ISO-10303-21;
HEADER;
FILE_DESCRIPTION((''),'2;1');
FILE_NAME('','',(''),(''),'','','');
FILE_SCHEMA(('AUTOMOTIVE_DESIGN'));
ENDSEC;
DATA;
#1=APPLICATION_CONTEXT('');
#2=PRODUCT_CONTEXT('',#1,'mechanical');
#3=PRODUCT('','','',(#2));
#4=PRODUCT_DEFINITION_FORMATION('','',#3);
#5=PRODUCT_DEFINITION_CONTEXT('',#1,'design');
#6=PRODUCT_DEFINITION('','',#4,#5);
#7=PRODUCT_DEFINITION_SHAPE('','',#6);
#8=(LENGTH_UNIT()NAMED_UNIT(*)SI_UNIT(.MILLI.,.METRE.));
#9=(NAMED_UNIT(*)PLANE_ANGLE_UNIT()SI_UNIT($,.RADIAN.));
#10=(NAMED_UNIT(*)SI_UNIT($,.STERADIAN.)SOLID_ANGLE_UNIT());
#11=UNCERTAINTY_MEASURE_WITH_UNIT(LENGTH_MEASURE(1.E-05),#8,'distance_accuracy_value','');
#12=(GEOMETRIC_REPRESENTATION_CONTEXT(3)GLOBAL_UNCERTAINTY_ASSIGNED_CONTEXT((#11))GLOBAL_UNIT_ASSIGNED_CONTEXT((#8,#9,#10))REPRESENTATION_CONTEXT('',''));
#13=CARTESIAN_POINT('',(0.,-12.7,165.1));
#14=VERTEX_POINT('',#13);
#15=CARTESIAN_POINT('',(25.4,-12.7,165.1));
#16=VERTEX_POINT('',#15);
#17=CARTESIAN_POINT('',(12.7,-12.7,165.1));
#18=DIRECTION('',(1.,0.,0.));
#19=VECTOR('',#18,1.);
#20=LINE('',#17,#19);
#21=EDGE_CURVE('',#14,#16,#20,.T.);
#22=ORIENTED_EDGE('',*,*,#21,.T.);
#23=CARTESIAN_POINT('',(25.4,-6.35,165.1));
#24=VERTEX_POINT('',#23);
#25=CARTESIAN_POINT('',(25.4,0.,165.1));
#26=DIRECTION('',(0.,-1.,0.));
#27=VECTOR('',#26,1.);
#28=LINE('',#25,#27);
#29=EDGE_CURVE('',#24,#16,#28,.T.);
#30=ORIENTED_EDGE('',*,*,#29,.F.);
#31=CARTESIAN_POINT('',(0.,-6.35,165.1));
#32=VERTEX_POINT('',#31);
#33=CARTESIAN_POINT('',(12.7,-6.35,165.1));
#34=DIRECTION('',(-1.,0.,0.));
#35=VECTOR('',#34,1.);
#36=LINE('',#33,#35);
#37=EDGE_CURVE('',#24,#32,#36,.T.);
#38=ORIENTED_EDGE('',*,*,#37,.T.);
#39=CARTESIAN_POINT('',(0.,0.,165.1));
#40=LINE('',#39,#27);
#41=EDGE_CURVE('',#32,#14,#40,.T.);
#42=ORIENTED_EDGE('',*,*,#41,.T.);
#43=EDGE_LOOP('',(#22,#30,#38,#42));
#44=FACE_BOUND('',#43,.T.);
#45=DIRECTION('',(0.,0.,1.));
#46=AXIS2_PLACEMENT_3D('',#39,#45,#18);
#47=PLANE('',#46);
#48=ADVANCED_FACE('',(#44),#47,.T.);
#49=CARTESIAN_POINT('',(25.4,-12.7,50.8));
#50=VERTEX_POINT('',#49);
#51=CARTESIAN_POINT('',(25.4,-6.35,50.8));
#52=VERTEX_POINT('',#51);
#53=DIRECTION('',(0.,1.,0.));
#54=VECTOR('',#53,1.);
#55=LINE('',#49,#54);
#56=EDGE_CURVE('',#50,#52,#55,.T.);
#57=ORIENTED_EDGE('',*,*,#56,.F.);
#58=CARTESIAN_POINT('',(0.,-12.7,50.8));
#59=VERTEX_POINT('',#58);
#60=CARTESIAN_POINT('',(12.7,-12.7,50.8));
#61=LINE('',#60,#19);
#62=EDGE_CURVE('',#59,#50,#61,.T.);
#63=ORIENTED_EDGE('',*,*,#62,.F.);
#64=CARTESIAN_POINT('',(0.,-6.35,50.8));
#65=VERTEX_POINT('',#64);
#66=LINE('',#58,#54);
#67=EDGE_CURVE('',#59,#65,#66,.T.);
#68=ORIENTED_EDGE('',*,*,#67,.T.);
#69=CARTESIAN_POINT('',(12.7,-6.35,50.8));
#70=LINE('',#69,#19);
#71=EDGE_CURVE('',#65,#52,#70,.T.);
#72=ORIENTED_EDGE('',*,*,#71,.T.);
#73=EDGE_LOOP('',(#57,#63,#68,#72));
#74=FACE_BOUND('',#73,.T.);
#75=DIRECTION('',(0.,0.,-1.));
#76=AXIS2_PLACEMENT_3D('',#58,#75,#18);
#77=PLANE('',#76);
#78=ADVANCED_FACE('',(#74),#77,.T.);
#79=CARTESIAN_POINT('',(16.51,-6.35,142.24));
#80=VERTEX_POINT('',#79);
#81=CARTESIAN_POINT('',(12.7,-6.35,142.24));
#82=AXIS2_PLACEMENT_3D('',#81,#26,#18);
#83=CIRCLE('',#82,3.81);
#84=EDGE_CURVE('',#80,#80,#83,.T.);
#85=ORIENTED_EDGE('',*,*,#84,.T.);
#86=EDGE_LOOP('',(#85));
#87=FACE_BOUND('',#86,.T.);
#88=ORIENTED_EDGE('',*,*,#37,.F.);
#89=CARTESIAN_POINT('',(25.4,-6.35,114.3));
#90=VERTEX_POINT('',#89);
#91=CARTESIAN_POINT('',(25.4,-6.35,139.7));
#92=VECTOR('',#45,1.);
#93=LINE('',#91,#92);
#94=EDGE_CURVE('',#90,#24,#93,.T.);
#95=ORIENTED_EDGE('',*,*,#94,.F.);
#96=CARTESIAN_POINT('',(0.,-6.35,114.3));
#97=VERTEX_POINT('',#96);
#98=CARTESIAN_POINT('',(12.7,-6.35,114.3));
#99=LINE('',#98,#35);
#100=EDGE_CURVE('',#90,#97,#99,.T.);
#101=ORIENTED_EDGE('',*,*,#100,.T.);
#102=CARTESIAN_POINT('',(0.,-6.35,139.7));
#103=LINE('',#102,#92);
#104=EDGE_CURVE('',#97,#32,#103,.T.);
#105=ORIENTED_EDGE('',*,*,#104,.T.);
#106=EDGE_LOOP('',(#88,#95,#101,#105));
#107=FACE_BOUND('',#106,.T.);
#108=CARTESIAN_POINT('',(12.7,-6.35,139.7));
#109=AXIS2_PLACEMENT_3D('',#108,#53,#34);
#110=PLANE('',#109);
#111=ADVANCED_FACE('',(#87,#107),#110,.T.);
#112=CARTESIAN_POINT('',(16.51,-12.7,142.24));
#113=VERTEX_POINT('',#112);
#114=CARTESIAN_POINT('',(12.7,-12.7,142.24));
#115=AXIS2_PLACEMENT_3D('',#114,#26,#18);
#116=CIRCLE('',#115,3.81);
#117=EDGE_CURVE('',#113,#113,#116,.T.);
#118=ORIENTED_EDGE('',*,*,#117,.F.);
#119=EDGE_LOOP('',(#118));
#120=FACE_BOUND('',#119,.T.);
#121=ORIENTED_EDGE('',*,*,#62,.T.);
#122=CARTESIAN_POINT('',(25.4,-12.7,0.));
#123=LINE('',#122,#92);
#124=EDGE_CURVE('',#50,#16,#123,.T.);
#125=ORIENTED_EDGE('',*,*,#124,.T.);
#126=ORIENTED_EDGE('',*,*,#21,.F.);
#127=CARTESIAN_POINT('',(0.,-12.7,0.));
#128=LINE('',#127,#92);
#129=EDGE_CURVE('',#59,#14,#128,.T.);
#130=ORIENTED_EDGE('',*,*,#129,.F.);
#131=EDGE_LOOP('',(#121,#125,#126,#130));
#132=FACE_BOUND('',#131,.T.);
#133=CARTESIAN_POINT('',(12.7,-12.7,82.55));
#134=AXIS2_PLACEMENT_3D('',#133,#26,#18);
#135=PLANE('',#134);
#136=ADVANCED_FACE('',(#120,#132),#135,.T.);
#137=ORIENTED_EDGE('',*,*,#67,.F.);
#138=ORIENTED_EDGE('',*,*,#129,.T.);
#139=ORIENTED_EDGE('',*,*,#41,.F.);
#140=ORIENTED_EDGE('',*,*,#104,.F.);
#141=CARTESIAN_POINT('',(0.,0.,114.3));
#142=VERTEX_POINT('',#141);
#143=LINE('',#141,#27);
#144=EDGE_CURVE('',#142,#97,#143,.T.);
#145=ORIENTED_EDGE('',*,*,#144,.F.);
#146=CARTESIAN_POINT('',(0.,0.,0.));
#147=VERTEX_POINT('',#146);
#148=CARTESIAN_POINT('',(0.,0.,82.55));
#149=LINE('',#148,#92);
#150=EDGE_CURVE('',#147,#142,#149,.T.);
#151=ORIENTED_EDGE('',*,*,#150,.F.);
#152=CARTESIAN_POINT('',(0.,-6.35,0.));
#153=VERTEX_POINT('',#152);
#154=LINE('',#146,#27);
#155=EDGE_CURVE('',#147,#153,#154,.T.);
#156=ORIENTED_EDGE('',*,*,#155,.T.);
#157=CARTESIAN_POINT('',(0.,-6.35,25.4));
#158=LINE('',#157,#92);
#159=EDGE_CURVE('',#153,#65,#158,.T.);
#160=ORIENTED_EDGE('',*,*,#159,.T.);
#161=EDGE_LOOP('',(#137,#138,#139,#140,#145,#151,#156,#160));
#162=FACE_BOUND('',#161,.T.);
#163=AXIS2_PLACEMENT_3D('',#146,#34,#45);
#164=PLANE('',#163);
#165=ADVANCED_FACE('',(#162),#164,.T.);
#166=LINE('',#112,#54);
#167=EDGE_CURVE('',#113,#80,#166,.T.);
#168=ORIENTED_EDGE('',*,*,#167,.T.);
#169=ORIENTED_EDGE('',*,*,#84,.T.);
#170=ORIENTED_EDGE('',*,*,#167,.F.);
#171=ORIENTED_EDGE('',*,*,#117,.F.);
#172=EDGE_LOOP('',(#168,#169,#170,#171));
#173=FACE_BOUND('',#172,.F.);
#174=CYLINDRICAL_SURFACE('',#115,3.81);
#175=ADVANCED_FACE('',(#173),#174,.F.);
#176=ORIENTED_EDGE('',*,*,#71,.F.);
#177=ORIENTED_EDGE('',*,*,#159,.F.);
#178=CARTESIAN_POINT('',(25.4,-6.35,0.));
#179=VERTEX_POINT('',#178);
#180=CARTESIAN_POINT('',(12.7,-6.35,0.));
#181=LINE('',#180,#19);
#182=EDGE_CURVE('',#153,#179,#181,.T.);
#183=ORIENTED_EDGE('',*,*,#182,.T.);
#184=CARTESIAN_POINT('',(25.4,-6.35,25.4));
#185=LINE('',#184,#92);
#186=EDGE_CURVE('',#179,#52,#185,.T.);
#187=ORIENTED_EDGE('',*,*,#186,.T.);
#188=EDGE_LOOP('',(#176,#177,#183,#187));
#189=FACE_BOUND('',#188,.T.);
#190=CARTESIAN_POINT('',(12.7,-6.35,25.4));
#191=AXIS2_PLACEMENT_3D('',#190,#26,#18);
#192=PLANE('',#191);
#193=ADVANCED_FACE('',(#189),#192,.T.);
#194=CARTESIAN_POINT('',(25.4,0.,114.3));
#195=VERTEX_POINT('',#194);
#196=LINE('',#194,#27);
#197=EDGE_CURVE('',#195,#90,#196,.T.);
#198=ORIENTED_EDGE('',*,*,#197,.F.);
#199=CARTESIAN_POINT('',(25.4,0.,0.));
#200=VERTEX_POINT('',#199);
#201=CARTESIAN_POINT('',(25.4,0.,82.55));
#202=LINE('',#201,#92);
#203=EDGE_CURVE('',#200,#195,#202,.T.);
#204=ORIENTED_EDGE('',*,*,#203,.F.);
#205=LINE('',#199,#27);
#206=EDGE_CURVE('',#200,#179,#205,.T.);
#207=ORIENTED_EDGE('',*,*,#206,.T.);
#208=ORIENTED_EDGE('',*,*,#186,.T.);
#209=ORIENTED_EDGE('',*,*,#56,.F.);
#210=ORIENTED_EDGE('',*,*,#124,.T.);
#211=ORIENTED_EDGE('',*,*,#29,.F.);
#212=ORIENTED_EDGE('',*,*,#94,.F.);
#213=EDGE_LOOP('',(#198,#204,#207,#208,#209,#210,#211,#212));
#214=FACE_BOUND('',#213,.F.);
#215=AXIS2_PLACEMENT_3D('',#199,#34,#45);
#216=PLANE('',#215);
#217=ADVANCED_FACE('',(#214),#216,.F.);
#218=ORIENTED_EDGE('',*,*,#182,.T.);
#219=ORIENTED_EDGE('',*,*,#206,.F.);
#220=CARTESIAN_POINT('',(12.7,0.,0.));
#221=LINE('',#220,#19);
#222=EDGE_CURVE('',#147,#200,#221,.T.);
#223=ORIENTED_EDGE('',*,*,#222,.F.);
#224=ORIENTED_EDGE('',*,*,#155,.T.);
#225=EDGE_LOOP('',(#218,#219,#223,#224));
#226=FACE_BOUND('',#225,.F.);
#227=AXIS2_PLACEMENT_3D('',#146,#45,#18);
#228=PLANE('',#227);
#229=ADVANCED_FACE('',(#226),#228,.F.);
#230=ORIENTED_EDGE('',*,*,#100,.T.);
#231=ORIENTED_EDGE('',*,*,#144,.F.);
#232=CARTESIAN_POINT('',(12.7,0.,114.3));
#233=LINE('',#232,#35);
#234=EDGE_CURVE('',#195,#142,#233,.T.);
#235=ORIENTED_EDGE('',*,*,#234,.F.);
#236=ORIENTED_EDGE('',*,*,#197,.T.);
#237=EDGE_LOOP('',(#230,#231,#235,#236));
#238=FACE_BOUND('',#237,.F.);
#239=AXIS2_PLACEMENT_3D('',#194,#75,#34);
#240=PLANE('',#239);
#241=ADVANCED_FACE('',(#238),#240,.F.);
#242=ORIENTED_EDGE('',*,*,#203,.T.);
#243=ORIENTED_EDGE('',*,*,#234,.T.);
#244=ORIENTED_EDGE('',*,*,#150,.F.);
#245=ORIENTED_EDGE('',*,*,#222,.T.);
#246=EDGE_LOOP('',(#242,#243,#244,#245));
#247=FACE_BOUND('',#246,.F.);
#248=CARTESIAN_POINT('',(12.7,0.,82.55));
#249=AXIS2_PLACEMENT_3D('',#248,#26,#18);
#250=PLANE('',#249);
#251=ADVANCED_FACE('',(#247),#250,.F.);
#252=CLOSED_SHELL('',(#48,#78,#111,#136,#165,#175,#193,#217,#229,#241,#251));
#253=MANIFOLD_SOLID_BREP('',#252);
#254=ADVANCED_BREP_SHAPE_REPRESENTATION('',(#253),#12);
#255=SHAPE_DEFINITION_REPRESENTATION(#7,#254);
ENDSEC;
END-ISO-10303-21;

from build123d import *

# Parameters (mm, degrees)
F0_W     = 25.4
F0_H     = 165.1
F1_DEPTH = 12.7
F2_W     = 25.4
F2_H     = 50.8
F3_DEPTH = 6.35
F4_DEPTH = 6.35
F5_W     = 25.4
F5_H     = 50.8
F6_DEPTH = 6.35
F7_R     = 3.81
F8_DEPTH = 25.4


with BuildPart() as f1:
    # F0 (on Front) → F1 (new body)
    with BuildSketch(Plane.XZ):
        with Locations((12.7, 82.55)):
            Rectangle(F0_W, F0_H)
    extrude(amount=F1_DEPTH)

    # F2 (on face) → F3 (join)
    with BuildSketch(Plane.XZ.offset(12.7)):
        with Locations((12.7, 25.4)):
            Rectangle(F2_W, F2_H)
    extrude(amount=-F3_DEPTH)

    # F2 (on face) → F4 (cut)
    with BuildSketch(Plane.XZ.offset(12.7)):
        with Locations((12.7, 25.4)):
            Rectangle(F2_W, F2_H)
    extrude(amount=-F4_DEPTH, mode=Mode.SUBTRACT)

    # F5 (on face) → F6 (cut)
    with BuildSketch(Plane(origin=(0, 0, 0), x_dir=(-1, 0, 0), z_dir=(0, 1, 0))):
        with Locations((-12.7, 139.7)):
            Rectangle(F5_W, F5_H)
    extrude(amount=-F6_DEPTH, mode=Mode.SUBTRACT)

    # F7 (on face) → F8 (cut)
    with BuildSketch(Plane.XZ.offset(12.7)):
        with Locations((12.7, 142.24)):
            Circle(F7_R)
    extrude(amount=-F8_DEPTH, mode=Mode.SUBTRACT)


solid = f1.part
